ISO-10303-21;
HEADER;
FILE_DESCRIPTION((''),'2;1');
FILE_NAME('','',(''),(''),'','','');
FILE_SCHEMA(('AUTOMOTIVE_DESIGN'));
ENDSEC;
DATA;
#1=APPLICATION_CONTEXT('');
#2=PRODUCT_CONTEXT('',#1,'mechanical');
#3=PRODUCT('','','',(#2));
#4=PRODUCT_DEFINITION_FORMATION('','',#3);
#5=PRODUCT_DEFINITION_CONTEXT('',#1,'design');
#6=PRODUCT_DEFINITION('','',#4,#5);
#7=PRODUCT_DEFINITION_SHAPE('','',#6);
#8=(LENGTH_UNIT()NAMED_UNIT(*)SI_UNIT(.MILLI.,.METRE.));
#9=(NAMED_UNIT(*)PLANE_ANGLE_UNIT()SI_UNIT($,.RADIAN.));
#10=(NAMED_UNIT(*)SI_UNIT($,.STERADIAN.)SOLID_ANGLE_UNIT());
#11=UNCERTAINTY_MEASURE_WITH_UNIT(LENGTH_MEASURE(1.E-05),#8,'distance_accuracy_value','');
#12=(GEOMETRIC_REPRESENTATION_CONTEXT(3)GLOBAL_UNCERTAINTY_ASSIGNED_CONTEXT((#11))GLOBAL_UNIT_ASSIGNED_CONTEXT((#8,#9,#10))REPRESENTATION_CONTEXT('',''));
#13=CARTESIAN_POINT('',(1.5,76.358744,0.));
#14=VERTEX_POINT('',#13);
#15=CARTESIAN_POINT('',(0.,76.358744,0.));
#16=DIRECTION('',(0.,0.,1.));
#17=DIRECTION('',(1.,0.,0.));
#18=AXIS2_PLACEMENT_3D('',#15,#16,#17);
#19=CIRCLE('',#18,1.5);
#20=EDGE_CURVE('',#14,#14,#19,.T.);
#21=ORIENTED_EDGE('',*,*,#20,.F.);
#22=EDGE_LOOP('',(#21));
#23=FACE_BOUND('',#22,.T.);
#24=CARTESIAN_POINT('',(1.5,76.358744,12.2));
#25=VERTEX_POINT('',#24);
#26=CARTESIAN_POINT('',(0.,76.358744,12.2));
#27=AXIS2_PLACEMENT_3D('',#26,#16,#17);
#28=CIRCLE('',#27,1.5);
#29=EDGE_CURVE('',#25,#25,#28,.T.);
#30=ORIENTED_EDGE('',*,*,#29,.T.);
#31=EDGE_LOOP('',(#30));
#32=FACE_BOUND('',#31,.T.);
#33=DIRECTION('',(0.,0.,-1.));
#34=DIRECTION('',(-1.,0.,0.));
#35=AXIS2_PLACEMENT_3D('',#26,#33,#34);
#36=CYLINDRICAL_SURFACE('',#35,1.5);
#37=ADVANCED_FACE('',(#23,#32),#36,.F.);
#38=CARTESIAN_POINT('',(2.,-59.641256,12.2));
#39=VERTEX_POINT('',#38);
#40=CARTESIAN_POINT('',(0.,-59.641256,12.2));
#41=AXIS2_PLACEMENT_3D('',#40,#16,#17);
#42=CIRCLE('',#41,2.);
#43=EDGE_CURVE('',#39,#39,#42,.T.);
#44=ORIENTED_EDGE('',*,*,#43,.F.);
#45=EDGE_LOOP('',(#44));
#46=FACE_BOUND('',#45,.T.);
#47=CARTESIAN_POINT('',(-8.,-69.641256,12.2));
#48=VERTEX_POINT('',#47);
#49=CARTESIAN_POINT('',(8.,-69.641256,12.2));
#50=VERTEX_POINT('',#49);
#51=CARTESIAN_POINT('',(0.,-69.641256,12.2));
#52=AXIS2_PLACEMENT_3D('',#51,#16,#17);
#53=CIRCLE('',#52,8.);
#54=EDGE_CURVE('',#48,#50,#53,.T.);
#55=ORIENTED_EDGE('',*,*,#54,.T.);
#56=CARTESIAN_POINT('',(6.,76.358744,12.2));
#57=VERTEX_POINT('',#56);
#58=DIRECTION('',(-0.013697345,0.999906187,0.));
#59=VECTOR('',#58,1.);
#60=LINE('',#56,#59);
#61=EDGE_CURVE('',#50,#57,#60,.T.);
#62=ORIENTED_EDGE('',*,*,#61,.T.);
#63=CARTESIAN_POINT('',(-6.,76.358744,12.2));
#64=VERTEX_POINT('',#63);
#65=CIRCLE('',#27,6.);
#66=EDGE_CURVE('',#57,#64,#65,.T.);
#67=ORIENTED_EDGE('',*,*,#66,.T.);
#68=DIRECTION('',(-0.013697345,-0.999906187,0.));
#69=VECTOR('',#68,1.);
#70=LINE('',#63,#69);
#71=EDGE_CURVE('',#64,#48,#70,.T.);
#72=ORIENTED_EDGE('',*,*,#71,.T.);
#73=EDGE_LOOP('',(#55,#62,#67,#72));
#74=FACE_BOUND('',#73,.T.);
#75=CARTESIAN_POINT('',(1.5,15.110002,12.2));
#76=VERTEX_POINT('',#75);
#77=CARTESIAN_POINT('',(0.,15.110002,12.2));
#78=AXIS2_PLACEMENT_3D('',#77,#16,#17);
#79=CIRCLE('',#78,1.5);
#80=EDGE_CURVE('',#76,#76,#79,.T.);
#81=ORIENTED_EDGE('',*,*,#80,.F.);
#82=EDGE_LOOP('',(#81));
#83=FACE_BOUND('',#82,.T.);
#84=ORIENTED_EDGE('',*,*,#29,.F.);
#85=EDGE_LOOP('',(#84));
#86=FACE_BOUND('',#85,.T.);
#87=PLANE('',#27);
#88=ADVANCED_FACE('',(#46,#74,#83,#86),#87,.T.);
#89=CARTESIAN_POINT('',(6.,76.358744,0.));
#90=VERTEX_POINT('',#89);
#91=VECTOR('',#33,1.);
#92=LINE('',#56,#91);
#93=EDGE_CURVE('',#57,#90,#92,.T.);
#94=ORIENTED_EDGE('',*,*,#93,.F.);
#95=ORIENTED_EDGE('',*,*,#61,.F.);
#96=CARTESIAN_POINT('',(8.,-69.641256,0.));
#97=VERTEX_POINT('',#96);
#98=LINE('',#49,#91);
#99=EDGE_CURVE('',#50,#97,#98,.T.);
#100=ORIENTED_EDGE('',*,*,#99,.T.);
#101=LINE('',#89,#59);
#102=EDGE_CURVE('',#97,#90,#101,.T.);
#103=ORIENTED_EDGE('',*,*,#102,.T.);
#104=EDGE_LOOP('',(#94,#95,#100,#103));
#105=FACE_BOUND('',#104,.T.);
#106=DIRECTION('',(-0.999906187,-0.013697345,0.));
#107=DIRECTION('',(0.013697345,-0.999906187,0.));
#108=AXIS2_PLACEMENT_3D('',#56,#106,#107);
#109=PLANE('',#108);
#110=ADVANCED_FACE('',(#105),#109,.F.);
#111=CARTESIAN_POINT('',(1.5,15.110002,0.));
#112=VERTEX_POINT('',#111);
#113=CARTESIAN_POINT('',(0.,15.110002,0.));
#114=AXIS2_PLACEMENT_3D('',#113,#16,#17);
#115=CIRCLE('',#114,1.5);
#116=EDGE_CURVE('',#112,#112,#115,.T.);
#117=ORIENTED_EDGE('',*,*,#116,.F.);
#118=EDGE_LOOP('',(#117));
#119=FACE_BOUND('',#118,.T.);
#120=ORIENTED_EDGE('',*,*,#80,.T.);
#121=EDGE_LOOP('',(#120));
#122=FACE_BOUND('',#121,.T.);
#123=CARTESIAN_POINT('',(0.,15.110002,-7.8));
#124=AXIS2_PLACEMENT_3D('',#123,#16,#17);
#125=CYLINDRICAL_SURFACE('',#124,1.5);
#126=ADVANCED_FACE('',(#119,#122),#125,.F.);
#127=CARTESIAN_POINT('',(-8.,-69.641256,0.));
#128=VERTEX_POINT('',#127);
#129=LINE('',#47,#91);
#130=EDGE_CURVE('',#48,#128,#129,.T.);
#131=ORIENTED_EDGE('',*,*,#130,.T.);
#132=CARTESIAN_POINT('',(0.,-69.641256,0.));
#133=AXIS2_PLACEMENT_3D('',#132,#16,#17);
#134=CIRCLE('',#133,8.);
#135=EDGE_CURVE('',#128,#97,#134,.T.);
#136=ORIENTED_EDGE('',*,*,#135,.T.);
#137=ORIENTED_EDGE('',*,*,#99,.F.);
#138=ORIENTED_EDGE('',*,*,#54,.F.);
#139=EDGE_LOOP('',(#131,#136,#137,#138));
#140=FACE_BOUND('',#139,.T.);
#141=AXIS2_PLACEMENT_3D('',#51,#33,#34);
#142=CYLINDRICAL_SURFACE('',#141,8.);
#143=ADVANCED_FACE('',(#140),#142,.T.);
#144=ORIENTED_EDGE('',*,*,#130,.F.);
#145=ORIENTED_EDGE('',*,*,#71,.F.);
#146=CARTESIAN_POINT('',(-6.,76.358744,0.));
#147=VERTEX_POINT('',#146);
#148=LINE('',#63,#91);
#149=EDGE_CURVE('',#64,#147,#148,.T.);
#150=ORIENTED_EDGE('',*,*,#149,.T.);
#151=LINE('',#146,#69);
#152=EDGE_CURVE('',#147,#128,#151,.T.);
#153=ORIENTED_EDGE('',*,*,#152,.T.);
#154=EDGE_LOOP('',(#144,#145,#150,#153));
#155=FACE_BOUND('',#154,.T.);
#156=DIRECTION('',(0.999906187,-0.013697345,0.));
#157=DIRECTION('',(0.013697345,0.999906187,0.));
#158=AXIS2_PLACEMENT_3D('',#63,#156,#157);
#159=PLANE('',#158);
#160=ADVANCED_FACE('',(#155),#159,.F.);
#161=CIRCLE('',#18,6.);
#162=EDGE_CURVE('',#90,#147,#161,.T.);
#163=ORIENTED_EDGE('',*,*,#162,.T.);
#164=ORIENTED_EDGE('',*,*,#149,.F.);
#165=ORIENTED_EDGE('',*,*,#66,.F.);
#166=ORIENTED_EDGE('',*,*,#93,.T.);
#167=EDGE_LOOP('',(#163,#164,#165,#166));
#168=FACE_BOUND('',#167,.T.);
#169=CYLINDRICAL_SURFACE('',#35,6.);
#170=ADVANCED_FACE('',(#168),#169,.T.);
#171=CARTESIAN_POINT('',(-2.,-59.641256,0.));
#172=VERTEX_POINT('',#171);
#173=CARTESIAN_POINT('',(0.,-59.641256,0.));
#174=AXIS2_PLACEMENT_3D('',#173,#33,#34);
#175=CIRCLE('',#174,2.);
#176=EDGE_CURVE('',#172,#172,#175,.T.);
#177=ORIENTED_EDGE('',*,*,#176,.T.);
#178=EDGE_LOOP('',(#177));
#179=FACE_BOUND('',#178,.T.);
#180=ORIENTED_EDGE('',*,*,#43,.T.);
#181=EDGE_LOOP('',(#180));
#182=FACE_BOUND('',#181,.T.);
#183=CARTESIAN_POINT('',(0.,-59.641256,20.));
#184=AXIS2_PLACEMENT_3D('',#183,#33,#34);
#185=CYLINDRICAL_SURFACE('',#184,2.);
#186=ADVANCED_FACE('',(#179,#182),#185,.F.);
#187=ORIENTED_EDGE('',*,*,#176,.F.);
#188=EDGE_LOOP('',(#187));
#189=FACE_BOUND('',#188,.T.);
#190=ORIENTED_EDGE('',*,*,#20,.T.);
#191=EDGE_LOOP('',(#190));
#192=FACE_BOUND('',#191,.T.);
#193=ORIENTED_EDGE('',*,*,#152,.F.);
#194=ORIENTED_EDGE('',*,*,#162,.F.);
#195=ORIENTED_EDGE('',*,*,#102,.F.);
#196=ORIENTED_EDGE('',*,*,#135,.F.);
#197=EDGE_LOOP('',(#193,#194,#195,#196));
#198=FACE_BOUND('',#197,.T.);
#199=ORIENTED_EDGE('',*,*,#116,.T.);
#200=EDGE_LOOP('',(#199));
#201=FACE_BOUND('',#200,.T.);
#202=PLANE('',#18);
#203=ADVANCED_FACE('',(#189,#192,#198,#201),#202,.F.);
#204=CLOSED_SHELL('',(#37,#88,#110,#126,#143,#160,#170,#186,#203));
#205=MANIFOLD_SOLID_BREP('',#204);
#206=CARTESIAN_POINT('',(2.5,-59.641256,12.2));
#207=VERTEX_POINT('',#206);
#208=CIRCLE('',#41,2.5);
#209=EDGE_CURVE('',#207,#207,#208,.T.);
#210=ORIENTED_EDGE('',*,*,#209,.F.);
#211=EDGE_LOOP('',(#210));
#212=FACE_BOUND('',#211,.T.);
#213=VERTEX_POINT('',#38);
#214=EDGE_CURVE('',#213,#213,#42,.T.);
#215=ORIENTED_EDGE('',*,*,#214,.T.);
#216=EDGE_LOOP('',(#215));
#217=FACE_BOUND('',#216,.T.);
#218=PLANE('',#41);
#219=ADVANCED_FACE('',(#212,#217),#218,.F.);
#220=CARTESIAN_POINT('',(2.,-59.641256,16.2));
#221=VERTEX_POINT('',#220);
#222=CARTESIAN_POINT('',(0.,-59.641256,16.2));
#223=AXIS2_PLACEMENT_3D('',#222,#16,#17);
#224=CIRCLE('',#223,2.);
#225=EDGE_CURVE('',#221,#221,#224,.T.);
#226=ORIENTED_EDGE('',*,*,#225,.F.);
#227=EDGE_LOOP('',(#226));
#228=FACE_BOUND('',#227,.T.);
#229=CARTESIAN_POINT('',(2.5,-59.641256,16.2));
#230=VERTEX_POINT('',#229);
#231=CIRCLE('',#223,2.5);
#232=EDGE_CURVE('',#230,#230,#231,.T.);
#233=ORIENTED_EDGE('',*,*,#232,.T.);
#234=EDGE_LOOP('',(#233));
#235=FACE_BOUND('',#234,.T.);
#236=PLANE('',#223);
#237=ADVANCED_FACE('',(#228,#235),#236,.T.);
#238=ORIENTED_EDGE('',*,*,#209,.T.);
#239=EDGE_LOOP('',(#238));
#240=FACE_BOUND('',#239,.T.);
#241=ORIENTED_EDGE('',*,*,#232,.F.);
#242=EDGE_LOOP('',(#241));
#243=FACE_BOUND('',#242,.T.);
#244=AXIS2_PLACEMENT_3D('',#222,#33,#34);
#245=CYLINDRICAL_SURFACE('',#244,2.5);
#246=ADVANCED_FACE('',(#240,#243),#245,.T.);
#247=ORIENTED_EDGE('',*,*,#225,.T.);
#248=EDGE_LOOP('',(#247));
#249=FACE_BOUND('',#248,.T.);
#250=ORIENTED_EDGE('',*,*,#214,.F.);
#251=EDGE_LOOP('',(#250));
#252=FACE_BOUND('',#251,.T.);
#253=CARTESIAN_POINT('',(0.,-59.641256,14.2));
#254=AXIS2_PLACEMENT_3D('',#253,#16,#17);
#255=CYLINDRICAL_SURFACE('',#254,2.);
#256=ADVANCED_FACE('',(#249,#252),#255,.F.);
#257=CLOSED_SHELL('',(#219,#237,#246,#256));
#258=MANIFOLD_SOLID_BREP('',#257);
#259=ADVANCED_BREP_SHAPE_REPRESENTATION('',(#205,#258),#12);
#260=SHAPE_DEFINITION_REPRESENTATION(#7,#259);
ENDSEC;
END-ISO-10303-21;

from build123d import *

# Parameters (mm, degrees)
SKETCH2_R           = 1.5
BOSS_EXTRUDE1_DEPTH = 12.2
SKETCH3_R           = 2.5
BOSS_EXTRUDE2_DEPTH = 4
SKETCH4_R           = 2
CUT_EXTRUDE1_DEPTH  = 2
SKETCH5_R           = 2
CUT_EXTRUDE2_DEPTH  = 20
SKETCH7_R           = 1.5
CUT_EXTRUDE3_DEPTH  = 20


with BuildPart() as part:
    # Sketch2 → Boss-Extrude1 (new body)
    with BuildSketch(Plane.XY):
        with BuildLine():
            Line((6, 76.358744395), (8, -69.641255605))
            ThreePointArc((8, -69.641255605), (0, -77.641255605), (-8, -69.641255605))
            Line((-8, -69.641255605), (-6, 76.358744395))
            ThreePointArc((-6, 76.358744395), (0, 82.358744395), (6, 76.358744395))
        make_face()
        with Locations((0, 76.358744395)):
            Circle(SKETCH2_R, mode=Mode.SUBTRACT)
    extrude(amount=BOSS_EXTRUDE1_DEPTH)


with BuildPart() as body_2:
    # Sketch3 → Boss-Extrude2 (new body)
    with BuildSketch(Plane.XY.offset(12.2)):
        with Locations((0, -59.641255605)):
            Circle(SKETCH3_R)
    extrude(amount=BOSS_EXTRUDE2_DEPTH)

    # Sketch4 → Cut-Extrude1 (cut)
    with BuildSketch(Plane.XY.offset(16.2)):
        with Locations((0, -59.641255605)):
            Circle(SKETCH4_R)
    extrude(amount=-CUT_EXTRUDE1_DEPTH, mode=Mode.SUBTRACT)


with BuildPart() as cut_extrude2_tool:
    # Sketch5 → Cut-Extrude2 (new body)
    with BuildSketch(Plane(origin=(0, 0, 0), x_dir=(-1, 0, 0), z_dir=(0, 0, -1))):
        with Locations(Location((0, -59.641255605, 0), (0, 0, 180))):
            Circle(SKETCH5_R)
    extrude(amount=-CUT_EXTRUDE2_DEPTH)


with BuildPart() as part_1:
    add(part.part)

    # Cut-Extrude2: cut by cut_extrude2_tool
    add(cut_extrude2_tool.part, mode=Mode.SUBTRACT)

    # Sketch7 → Cut-Extrude3 (cut)
    with BuildSketch(Plane.XY.offset(12.2)):
        with Locations((0, 15.110001993)):
            Circle(SKETCH7_R)
    extrude(amount=-CUT_EXTRUDE3_DEPTH, mode=Mode.SUBTRACT)


with BuildPart() as body_2_1:
    add(body_2.part)

    # Cut-Extrude2: cut by cut_extrude2_tool
    add(cut_extrude2_tool.part, mode=Mode.SUBTRACT)


solid = Compound([part_1.part, body_2_1.part])
